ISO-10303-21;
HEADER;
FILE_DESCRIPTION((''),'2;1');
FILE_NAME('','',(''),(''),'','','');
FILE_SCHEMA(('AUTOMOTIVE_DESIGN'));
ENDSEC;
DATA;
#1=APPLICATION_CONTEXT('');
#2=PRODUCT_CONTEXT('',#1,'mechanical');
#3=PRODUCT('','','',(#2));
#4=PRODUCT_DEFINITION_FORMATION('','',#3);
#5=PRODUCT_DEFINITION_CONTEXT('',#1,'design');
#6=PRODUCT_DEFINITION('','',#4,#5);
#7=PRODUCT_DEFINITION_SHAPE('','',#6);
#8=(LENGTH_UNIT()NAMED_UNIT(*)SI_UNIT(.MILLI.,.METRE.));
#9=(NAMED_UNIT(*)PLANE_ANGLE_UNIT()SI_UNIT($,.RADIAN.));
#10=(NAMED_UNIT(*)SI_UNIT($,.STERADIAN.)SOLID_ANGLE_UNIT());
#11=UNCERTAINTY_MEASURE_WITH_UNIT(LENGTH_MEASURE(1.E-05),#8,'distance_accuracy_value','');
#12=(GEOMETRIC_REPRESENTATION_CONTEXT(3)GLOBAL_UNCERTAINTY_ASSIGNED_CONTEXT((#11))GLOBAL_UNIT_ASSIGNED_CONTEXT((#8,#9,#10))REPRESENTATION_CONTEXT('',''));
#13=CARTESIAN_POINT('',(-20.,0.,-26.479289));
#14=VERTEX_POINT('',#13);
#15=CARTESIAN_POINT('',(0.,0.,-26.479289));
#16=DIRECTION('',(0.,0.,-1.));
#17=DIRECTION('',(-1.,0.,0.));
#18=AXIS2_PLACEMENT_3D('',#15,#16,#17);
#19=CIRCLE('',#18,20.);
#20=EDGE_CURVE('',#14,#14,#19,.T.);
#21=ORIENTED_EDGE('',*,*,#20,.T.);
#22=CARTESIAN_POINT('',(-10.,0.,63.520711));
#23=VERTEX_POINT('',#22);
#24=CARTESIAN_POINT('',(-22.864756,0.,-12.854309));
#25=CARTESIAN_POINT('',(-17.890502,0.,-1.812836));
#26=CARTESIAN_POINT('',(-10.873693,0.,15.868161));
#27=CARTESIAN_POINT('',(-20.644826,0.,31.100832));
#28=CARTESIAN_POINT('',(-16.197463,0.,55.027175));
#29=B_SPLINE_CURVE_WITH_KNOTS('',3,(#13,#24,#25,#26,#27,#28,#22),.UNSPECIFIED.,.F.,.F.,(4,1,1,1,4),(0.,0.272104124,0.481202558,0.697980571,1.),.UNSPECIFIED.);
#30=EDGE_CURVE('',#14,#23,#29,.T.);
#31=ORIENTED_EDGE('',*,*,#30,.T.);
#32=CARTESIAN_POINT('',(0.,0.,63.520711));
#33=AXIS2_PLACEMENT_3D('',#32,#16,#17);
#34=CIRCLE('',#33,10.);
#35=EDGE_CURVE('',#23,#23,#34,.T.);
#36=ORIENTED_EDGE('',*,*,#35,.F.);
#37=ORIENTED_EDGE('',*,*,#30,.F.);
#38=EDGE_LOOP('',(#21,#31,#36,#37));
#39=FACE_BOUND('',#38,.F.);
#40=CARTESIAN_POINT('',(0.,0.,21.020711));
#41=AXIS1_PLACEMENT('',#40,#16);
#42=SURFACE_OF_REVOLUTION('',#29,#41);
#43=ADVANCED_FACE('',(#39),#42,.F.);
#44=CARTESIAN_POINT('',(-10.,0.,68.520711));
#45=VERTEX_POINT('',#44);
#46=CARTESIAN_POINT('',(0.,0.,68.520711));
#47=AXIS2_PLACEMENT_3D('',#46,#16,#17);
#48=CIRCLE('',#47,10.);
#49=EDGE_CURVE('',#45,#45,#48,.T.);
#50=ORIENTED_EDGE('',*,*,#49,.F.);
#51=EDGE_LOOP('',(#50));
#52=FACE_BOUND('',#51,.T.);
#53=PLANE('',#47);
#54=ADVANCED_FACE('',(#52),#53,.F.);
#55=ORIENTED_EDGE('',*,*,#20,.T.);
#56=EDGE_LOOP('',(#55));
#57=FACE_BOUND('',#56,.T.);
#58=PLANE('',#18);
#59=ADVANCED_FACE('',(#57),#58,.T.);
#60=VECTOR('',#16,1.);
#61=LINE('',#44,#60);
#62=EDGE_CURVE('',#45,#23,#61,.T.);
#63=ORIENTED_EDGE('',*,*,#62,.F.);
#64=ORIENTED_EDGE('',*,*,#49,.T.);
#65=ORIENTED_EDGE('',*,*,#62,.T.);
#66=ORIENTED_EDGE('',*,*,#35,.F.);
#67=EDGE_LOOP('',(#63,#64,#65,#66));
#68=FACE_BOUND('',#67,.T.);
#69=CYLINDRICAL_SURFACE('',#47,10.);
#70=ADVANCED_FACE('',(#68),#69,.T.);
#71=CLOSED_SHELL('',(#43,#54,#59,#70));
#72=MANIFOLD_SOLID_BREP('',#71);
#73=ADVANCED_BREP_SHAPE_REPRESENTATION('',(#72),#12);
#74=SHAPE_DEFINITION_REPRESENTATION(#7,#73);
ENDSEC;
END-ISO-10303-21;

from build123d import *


with BuildPart() as f1:
    # F0 (on Front) → F1 (revolve)
    with BuildSketch(Plane.XZ):
        with BuildLine():
            Line((-20, -26.4792886381), (0, -26.4792886381))
            Line((0, -26.4792886381), (0, 68.5207113619))
            Line((0, 68.5207113619), (-10, 68.5207113619))
            Line((-10, 68.5207113619), (-10, 63.5207113619))
            add(Edge.make_bspline(
                [(-20, -26.4792886381), (-22.8647563836, -12.8543086659), (-17.8905023898, -1.8128362246), (-10.8736926375, 15.8681609189), (-20.6448262097, 31.1008320561), (-16.1974629406, 55.0271745118), (-10, 63.5207113619)],
                knots=[0, 0, 0, 0, 0.2721041245, 0.4812025583, 0.697980571, 1, 1, 1, 1], degree=3))
        make_face()
    revolve(axis=Axis((0, 0, 21.0207113619), (0, 0, -1)))


solid = f1.part
